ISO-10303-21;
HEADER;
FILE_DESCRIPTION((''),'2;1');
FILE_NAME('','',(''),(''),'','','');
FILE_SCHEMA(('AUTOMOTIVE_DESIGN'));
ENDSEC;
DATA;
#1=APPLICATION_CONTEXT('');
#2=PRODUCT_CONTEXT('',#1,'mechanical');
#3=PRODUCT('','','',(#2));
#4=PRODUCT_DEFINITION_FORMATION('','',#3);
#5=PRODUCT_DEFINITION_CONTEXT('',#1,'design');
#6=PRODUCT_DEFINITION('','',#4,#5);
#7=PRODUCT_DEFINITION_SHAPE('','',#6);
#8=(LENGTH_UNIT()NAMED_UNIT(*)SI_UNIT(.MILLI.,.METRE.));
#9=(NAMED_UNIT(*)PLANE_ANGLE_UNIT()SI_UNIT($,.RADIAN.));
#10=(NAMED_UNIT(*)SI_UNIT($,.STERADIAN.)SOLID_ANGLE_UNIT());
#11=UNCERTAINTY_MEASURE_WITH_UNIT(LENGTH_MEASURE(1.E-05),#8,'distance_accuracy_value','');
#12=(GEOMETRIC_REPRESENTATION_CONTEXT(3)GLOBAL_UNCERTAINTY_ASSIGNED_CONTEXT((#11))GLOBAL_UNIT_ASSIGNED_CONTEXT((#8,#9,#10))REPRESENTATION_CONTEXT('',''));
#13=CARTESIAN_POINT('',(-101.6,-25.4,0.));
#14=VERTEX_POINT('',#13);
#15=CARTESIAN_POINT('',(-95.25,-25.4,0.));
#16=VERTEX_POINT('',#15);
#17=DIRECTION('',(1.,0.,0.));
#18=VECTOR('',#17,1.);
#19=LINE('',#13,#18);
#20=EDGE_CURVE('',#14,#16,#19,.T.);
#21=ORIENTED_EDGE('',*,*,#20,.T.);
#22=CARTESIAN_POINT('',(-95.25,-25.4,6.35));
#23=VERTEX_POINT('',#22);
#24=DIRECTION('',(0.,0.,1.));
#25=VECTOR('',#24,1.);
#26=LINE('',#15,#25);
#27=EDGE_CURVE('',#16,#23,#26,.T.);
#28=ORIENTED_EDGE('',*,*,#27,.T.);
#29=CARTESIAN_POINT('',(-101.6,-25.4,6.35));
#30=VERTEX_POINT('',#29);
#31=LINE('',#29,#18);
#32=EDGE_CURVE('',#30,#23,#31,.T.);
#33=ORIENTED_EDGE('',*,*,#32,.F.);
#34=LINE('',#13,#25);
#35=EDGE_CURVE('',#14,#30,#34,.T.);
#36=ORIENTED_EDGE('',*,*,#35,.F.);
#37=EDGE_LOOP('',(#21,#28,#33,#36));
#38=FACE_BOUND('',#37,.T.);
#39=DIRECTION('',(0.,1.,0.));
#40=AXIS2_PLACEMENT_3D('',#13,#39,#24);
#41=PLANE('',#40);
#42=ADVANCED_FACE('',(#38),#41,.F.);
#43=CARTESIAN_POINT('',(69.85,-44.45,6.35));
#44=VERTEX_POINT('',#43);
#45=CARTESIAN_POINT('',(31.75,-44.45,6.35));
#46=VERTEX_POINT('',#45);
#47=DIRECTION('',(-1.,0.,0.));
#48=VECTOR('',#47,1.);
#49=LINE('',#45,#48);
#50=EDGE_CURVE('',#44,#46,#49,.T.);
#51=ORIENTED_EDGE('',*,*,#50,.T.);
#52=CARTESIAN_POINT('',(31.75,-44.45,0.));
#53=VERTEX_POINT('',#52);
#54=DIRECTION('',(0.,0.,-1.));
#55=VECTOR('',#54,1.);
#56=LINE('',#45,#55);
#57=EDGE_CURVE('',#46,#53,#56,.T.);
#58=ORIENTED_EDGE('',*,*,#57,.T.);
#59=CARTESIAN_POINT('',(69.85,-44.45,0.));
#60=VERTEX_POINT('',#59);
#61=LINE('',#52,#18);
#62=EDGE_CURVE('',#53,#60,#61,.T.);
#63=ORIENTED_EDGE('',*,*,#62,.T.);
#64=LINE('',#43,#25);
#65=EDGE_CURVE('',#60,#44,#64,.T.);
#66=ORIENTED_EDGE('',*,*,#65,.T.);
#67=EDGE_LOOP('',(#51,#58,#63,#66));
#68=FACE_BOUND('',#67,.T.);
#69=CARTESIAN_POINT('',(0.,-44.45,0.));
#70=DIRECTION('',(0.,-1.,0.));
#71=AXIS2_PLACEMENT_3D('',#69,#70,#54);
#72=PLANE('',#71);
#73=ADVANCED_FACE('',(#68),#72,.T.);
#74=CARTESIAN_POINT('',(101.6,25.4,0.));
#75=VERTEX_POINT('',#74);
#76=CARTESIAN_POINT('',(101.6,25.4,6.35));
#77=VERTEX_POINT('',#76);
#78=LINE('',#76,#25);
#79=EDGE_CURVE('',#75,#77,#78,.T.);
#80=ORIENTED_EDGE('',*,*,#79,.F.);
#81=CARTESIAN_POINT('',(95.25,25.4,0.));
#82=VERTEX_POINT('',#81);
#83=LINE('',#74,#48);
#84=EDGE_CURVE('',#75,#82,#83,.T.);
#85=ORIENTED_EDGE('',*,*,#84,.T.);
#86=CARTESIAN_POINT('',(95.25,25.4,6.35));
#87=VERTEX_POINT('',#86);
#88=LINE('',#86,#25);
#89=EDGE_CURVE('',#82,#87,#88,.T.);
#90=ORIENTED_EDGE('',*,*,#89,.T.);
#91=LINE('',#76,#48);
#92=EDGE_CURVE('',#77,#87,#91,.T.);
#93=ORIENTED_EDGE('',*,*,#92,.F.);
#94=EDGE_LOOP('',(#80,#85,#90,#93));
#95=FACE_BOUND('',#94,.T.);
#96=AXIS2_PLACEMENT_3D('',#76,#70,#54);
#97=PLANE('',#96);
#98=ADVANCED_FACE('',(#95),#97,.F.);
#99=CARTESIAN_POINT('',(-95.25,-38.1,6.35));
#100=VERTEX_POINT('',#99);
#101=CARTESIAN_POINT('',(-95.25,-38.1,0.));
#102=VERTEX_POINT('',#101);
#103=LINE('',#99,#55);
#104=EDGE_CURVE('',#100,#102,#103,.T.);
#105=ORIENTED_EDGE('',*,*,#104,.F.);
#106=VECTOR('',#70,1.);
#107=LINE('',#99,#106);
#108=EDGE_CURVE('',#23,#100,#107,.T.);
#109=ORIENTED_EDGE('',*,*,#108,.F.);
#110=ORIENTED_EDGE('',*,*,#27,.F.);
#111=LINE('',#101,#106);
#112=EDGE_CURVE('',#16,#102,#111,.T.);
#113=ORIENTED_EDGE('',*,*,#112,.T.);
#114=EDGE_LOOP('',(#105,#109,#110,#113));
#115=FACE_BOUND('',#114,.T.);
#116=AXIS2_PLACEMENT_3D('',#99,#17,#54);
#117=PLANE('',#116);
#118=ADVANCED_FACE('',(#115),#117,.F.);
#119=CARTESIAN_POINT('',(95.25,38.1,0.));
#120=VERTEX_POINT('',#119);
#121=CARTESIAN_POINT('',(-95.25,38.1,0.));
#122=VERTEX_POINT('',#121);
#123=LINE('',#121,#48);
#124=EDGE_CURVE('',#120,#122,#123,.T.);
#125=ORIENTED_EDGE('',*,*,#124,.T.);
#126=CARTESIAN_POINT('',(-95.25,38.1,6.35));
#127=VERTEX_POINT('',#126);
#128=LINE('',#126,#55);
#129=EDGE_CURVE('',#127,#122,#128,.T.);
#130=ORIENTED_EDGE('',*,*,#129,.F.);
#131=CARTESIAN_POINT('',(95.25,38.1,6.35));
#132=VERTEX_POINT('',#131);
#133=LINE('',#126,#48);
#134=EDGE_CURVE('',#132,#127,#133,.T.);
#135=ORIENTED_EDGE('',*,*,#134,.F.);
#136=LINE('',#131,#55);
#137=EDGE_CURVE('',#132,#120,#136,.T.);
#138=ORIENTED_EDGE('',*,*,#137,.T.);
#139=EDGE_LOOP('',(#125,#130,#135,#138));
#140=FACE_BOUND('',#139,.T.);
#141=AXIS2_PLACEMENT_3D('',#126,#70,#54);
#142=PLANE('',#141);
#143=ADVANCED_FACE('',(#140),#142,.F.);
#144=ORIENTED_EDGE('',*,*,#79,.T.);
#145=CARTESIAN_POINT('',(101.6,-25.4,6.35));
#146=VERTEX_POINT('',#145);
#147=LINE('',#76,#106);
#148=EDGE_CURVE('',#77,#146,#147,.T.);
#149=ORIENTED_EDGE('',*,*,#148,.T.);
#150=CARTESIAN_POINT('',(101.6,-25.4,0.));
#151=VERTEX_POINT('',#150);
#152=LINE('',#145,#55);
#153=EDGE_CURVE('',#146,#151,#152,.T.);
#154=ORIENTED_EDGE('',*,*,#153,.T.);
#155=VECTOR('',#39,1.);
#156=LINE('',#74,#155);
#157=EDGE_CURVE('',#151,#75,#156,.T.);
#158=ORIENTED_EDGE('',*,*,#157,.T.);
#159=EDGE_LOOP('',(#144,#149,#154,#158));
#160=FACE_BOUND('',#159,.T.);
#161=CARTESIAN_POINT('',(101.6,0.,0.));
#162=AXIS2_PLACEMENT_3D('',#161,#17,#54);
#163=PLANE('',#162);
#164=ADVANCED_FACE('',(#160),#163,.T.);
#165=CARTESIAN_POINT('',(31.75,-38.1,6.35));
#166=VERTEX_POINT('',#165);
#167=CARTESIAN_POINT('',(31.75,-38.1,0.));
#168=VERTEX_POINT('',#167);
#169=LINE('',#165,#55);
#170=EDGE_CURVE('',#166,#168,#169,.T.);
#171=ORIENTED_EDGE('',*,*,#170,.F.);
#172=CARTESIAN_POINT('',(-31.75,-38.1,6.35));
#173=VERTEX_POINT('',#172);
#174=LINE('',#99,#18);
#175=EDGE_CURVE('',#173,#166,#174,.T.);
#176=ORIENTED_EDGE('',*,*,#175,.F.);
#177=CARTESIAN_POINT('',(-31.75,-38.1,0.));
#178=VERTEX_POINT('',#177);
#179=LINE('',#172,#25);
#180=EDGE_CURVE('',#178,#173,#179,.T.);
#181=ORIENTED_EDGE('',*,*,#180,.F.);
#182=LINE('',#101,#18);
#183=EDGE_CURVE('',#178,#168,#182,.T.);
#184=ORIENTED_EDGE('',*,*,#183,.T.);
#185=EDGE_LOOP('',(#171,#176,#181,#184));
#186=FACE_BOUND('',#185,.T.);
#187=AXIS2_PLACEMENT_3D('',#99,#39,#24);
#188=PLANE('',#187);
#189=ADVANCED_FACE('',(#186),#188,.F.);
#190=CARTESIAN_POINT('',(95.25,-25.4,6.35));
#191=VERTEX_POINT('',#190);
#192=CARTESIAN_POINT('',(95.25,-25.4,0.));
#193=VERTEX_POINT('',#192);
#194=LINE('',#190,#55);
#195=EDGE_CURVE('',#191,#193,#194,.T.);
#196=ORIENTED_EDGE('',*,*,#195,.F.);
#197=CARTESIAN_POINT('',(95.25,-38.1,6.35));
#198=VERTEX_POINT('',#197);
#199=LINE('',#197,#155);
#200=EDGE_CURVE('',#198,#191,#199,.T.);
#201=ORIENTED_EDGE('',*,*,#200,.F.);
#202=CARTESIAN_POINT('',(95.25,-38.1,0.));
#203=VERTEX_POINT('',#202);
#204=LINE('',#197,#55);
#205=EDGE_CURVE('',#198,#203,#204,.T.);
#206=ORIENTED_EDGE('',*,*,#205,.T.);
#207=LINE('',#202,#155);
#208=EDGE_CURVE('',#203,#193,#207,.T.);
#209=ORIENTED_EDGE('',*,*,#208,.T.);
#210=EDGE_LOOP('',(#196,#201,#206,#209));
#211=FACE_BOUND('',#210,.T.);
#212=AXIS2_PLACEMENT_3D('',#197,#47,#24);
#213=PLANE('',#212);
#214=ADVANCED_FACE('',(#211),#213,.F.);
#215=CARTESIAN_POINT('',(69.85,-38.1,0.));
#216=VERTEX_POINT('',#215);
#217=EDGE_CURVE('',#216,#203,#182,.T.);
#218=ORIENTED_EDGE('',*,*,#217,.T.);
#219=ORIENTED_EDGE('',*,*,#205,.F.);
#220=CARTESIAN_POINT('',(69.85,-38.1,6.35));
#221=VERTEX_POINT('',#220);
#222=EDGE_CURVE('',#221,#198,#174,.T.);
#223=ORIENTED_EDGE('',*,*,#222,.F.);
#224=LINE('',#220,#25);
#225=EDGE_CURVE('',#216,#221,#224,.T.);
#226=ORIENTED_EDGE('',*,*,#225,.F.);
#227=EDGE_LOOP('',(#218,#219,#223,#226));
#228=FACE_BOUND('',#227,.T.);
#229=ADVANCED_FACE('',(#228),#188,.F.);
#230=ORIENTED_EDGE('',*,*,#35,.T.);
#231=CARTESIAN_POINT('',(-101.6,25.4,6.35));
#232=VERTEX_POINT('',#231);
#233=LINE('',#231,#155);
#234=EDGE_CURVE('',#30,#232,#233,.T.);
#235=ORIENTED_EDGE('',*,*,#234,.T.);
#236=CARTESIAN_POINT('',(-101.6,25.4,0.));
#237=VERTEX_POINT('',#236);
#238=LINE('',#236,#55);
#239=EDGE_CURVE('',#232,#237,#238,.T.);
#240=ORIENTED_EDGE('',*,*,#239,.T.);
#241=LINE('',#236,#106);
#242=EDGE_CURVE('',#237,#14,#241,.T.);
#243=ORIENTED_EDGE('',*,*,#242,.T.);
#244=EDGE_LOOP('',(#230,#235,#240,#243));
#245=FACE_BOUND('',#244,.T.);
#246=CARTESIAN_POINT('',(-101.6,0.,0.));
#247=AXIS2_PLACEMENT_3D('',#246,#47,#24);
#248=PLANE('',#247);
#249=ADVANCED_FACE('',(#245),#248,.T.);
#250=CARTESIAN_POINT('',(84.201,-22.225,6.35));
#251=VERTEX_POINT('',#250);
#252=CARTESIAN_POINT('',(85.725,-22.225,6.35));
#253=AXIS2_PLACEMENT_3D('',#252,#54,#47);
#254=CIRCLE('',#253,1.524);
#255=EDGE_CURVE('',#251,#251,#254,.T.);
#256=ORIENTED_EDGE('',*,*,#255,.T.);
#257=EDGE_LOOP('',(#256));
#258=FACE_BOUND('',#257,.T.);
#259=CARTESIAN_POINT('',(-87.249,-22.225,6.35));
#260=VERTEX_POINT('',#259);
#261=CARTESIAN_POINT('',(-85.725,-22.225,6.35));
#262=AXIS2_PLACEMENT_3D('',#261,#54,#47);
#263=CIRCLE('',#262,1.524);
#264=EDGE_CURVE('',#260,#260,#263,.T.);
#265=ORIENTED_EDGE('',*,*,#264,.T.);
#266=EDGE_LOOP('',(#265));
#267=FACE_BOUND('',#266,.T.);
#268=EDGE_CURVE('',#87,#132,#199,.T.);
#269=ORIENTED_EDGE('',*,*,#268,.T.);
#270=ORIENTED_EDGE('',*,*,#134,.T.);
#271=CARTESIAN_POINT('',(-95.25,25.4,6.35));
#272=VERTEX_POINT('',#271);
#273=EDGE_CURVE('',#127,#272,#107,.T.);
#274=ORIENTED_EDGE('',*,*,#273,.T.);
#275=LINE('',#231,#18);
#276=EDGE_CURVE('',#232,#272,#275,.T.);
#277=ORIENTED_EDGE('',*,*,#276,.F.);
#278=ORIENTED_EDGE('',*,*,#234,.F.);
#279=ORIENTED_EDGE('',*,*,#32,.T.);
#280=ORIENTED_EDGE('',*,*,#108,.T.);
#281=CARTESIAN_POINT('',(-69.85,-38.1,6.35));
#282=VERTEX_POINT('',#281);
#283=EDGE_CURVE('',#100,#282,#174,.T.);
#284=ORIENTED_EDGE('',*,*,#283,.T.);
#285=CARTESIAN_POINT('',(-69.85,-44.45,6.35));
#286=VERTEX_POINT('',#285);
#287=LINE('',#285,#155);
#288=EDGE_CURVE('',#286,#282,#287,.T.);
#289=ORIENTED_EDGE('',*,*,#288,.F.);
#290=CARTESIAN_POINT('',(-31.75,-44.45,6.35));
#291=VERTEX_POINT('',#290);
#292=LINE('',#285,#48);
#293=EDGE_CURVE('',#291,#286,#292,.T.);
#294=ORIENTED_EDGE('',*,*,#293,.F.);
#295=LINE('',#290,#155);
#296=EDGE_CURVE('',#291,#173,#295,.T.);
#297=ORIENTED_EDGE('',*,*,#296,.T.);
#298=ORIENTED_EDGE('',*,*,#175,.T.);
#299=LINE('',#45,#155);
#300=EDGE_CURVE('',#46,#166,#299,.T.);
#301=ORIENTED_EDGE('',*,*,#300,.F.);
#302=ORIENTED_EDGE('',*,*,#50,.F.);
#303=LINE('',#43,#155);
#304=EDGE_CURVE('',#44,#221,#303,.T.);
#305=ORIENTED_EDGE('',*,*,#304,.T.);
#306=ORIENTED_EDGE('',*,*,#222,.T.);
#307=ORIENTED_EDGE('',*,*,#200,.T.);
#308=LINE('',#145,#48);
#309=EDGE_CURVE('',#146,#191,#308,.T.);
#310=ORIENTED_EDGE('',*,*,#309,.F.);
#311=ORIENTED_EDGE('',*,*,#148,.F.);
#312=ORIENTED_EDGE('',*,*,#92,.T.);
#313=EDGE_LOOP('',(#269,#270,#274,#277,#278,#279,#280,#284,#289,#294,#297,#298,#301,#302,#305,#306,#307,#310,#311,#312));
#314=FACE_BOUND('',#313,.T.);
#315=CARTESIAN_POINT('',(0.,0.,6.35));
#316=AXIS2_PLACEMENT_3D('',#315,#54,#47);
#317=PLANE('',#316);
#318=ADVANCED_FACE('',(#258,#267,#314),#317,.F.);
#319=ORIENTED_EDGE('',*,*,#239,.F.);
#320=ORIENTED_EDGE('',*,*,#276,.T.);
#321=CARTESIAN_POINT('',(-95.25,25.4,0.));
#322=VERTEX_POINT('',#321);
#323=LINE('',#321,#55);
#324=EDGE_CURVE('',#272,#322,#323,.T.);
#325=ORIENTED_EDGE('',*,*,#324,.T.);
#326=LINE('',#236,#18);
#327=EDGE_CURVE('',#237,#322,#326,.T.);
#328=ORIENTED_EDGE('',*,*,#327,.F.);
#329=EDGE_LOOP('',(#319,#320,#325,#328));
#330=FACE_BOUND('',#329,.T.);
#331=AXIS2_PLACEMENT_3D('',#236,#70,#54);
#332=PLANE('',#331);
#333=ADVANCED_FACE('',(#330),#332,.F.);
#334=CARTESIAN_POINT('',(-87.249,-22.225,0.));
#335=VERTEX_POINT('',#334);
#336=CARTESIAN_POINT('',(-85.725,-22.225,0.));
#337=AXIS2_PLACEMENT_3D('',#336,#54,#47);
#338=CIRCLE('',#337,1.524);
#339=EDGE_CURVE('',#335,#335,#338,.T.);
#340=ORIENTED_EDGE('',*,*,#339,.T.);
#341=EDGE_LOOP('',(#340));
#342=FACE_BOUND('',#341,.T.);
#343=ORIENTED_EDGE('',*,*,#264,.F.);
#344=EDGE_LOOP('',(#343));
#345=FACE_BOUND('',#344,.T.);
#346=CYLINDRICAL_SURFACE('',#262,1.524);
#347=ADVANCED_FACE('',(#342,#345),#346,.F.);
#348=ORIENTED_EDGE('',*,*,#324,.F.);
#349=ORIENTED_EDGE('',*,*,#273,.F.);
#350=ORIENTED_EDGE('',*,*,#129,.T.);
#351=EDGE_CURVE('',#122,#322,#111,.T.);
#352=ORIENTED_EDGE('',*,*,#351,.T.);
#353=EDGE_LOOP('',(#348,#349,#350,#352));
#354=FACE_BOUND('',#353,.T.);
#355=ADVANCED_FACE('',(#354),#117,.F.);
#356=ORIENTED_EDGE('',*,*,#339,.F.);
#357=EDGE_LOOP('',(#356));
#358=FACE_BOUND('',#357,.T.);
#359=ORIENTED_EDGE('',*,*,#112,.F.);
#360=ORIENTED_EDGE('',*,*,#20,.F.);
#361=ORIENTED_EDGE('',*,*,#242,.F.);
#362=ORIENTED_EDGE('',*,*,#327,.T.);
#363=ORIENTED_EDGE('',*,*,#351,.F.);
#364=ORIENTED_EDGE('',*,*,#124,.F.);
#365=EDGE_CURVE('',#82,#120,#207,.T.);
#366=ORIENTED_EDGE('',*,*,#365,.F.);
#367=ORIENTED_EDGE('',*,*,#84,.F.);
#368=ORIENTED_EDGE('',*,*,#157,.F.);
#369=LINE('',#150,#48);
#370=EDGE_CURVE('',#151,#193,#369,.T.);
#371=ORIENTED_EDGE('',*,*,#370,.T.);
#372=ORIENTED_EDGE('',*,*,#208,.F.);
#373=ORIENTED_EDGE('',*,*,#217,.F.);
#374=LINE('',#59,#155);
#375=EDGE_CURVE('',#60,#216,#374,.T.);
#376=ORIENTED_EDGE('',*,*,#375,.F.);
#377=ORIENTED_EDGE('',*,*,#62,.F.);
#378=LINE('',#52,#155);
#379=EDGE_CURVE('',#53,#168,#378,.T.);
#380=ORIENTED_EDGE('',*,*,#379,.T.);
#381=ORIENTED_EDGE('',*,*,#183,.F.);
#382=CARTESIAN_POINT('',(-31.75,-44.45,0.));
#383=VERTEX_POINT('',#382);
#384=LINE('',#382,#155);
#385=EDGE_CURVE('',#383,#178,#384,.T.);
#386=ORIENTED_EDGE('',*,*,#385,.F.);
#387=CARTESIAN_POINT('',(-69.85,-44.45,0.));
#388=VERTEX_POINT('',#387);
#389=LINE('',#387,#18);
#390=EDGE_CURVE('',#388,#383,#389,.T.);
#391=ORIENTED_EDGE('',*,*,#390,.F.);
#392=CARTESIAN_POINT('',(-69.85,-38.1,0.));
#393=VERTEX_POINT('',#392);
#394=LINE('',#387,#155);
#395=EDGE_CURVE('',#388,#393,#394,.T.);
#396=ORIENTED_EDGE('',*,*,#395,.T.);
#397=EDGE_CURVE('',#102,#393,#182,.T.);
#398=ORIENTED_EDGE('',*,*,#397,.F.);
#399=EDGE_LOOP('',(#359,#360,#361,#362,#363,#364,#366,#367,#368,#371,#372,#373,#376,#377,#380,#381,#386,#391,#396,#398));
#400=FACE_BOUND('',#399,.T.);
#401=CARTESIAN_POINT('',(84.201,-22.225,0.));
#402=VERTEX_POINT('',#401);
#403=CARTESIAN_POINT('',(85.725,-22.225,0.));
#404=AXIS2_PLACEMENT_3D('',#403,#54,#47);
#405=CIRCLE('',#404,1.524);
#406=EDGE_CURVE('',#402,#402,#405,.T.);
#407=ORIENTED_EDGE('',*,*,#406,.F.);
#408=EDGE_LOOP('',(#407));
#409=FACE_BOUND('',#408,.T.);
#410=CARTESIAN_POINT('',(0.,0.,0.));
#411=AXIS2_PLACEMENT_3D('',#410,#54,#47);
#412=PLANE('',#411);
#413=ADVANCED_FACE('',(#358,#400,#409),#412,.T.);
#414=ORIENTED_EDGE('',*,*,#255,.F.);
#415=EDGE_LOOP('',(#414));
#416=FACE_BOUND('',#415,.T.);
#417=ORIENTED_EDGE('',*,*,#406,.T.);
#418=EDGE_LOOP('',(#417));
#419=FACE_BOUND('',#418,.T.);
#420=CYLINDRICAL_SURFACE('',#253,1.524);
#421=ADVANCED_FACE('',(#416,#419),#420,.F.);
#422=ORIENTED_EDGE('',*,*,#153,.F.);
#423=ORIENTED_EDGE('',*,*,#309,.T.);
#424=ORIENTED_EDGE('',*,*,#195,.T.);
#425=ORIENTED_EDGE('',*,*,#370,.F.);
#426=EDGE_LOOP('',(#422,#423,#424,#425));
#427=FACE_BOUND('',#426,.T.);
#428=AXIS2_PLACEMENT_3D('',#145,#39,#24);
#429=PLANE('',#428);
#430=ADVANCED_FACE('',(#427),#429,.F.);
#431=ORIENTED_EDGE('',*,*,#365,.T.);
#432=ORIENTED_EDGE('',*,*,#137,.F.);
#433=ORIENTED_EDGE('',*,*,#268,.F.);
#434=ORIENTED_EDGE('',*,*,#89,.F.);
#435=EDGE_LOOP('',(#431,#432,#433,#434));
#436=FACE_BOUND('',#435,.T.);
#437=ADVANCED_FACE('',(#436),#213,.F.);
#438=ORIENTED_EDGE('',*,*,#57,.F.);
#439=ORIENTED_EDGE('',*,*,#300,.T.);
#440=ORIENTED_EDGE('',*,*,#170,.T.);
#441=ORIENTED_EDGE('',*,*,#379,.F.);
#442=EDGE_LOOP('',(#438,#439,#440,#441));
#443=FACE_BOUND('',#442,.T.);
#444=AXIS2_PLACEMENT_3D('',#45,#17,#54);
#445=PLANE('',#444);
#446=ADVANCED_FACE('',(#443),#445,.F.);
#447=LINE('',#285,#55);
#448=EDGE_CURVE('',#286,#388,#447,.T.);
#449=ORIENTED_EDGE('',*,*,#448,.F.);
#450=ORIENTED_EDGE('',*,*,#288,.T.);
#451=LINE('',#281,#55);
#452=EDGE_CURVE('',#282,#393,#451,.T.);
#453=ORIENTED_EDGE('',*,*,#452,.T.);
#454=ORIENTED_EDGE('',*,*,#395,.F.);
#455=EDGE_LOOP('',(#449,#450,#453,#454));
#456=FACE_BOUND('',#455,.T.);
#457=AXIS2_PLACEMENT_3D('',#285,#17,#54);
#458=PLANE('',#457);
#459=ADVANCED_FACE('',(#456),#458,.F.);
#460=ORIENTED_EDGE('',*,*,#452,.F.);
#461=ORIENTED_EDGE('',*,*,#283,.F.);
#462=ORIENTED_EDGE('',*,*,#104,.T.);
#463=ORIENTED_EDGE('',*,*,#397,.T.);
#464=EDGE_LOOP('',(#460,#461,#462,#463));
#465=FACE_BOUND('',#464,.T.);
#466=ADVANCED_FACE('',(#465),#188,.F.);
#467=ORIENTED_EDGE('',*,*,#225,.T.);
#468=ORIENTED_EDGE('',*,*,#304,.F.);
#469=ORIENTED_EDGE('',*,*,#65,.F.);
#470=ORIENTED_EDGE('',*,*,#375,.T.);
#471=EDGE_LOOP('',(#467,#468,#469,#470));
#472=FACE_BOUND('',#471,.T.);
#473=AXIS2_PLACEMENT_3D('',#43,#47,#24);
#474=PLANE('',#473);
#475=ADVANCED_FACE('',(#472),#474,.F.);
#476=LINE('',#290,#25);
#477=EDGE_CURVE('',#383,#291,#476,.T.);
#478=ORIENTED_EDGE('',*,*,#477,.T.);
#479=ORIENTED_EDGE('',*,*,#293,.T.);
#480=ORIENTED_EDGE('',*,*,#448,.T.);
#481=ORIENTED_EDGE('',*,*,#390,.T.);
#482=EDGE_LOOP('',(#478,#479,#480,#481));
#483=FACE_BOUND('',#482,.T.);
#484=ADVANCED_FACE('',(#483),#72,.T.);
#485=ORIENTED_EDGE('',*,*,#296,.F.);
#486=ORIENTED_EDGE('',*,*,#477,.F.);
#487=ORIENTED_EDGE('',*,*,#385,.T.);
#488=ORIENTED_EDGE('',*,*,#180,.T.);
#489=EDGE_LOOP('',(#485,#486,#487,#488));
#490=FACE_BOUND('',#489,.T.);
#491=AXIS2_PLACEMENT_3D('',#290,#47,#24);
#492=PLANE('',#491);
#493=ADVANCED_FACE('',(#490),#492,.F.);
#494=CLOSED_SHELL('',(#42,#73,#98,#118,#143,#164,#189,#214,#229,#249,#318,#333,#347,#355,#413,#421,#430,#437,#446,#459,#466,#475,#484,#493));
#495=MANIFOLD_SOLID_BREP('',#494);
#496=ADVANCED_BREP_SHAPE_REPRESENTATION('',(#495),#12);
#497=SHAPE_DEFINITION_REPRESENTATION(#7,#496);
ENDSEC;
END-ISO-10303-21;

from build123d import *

# Parameters (mm, degrees)
SKETCH1_W           = 190.5
SKETCH1_H           = 76.2
BOSS_EXTRUDE1_DEPTH = 6.35
SKETCH2_W           = 6.35
SKETCH2_H           = 50.8
BOSS_EXTRUDE2_DEPTH = 6.35
SKETCH3_W           = 6.35
SKETCH3_H           = 50.8
BOSS_EXTRUDE3_DEPTH = 6.35
SKETCH4_W           = 38.1
SKETCH4_H           = 6.35
BOSS_EXTRUDE4_DEPTH = 6.35
SKETCH6_R           = 1.524
CUT_EXTRUDE4_DEPTH  = 6.35


with BuildPart() as part:
    # Sketch1 → Boss-Extrude1 (new body)
    with BuildSketch(Plane.XY):
        Rectangle(SKETCH1_W, SKETCH1_H)
    extrude(amount=BOSS_EXTRUDE1_DEPTH)

    # Sketch2 → Boss-Extrude2 (add)
    with BuildSketch(Plane.ZY.offset(95.25)):
        with Locations((3.175, 0)):
            Rectangle(SKETCH2_W, SKETCH2_H)
    extrude(amount=BOSS_EXTRUDE2_DEPTH)

    # Sketch3 → Boss-Extrude3 (add)
    with BuildSketch(Plane(origin=(95.25, 0, 0), x_dir=(0, 0, -1), z_dir=(1, 0, 0))):
        with Locations((-3.175, 0)):
            Rectangle(SKETCH3_W, SKETCH3_H)
    extrude(amount=BOSS_EXTRUDE3_DEPTH)

    # Sketch4 → Boss-Extrude4 (add)
    with BuildSketch(Plane.XZ.offset(38.1)):
        with Locations((-50.8, 3.175)):
            Rectangle(SKETCH4_W, SKETCH4_H)
        with Locations((50.8, 3.175)):
            Rectangle(SKETCH4_W, SKETCH4_H)
    extrude(amount=BOSS_EXTRUDE4_DEPTH)

    # Sketch6 → Cut-Extrude4 (cut)
    with BuildSketch(Plane(origin=(23.763692911, 98.5857123, 0), x_dir=(-1, 0, 0), z_dir=(0, 0, -1))):
        with Locations((-61.961307089, -120.8107123)):
            Circle(SKETCH6_R)
        with Locations((109.488692911, -120.8107123)):
            Circle(SKETCH6_R)
    extrude(amount=-CUT_EXTRUDE4_DEPTH, mode=Mode.SUBTRACT)


solid = part.part
